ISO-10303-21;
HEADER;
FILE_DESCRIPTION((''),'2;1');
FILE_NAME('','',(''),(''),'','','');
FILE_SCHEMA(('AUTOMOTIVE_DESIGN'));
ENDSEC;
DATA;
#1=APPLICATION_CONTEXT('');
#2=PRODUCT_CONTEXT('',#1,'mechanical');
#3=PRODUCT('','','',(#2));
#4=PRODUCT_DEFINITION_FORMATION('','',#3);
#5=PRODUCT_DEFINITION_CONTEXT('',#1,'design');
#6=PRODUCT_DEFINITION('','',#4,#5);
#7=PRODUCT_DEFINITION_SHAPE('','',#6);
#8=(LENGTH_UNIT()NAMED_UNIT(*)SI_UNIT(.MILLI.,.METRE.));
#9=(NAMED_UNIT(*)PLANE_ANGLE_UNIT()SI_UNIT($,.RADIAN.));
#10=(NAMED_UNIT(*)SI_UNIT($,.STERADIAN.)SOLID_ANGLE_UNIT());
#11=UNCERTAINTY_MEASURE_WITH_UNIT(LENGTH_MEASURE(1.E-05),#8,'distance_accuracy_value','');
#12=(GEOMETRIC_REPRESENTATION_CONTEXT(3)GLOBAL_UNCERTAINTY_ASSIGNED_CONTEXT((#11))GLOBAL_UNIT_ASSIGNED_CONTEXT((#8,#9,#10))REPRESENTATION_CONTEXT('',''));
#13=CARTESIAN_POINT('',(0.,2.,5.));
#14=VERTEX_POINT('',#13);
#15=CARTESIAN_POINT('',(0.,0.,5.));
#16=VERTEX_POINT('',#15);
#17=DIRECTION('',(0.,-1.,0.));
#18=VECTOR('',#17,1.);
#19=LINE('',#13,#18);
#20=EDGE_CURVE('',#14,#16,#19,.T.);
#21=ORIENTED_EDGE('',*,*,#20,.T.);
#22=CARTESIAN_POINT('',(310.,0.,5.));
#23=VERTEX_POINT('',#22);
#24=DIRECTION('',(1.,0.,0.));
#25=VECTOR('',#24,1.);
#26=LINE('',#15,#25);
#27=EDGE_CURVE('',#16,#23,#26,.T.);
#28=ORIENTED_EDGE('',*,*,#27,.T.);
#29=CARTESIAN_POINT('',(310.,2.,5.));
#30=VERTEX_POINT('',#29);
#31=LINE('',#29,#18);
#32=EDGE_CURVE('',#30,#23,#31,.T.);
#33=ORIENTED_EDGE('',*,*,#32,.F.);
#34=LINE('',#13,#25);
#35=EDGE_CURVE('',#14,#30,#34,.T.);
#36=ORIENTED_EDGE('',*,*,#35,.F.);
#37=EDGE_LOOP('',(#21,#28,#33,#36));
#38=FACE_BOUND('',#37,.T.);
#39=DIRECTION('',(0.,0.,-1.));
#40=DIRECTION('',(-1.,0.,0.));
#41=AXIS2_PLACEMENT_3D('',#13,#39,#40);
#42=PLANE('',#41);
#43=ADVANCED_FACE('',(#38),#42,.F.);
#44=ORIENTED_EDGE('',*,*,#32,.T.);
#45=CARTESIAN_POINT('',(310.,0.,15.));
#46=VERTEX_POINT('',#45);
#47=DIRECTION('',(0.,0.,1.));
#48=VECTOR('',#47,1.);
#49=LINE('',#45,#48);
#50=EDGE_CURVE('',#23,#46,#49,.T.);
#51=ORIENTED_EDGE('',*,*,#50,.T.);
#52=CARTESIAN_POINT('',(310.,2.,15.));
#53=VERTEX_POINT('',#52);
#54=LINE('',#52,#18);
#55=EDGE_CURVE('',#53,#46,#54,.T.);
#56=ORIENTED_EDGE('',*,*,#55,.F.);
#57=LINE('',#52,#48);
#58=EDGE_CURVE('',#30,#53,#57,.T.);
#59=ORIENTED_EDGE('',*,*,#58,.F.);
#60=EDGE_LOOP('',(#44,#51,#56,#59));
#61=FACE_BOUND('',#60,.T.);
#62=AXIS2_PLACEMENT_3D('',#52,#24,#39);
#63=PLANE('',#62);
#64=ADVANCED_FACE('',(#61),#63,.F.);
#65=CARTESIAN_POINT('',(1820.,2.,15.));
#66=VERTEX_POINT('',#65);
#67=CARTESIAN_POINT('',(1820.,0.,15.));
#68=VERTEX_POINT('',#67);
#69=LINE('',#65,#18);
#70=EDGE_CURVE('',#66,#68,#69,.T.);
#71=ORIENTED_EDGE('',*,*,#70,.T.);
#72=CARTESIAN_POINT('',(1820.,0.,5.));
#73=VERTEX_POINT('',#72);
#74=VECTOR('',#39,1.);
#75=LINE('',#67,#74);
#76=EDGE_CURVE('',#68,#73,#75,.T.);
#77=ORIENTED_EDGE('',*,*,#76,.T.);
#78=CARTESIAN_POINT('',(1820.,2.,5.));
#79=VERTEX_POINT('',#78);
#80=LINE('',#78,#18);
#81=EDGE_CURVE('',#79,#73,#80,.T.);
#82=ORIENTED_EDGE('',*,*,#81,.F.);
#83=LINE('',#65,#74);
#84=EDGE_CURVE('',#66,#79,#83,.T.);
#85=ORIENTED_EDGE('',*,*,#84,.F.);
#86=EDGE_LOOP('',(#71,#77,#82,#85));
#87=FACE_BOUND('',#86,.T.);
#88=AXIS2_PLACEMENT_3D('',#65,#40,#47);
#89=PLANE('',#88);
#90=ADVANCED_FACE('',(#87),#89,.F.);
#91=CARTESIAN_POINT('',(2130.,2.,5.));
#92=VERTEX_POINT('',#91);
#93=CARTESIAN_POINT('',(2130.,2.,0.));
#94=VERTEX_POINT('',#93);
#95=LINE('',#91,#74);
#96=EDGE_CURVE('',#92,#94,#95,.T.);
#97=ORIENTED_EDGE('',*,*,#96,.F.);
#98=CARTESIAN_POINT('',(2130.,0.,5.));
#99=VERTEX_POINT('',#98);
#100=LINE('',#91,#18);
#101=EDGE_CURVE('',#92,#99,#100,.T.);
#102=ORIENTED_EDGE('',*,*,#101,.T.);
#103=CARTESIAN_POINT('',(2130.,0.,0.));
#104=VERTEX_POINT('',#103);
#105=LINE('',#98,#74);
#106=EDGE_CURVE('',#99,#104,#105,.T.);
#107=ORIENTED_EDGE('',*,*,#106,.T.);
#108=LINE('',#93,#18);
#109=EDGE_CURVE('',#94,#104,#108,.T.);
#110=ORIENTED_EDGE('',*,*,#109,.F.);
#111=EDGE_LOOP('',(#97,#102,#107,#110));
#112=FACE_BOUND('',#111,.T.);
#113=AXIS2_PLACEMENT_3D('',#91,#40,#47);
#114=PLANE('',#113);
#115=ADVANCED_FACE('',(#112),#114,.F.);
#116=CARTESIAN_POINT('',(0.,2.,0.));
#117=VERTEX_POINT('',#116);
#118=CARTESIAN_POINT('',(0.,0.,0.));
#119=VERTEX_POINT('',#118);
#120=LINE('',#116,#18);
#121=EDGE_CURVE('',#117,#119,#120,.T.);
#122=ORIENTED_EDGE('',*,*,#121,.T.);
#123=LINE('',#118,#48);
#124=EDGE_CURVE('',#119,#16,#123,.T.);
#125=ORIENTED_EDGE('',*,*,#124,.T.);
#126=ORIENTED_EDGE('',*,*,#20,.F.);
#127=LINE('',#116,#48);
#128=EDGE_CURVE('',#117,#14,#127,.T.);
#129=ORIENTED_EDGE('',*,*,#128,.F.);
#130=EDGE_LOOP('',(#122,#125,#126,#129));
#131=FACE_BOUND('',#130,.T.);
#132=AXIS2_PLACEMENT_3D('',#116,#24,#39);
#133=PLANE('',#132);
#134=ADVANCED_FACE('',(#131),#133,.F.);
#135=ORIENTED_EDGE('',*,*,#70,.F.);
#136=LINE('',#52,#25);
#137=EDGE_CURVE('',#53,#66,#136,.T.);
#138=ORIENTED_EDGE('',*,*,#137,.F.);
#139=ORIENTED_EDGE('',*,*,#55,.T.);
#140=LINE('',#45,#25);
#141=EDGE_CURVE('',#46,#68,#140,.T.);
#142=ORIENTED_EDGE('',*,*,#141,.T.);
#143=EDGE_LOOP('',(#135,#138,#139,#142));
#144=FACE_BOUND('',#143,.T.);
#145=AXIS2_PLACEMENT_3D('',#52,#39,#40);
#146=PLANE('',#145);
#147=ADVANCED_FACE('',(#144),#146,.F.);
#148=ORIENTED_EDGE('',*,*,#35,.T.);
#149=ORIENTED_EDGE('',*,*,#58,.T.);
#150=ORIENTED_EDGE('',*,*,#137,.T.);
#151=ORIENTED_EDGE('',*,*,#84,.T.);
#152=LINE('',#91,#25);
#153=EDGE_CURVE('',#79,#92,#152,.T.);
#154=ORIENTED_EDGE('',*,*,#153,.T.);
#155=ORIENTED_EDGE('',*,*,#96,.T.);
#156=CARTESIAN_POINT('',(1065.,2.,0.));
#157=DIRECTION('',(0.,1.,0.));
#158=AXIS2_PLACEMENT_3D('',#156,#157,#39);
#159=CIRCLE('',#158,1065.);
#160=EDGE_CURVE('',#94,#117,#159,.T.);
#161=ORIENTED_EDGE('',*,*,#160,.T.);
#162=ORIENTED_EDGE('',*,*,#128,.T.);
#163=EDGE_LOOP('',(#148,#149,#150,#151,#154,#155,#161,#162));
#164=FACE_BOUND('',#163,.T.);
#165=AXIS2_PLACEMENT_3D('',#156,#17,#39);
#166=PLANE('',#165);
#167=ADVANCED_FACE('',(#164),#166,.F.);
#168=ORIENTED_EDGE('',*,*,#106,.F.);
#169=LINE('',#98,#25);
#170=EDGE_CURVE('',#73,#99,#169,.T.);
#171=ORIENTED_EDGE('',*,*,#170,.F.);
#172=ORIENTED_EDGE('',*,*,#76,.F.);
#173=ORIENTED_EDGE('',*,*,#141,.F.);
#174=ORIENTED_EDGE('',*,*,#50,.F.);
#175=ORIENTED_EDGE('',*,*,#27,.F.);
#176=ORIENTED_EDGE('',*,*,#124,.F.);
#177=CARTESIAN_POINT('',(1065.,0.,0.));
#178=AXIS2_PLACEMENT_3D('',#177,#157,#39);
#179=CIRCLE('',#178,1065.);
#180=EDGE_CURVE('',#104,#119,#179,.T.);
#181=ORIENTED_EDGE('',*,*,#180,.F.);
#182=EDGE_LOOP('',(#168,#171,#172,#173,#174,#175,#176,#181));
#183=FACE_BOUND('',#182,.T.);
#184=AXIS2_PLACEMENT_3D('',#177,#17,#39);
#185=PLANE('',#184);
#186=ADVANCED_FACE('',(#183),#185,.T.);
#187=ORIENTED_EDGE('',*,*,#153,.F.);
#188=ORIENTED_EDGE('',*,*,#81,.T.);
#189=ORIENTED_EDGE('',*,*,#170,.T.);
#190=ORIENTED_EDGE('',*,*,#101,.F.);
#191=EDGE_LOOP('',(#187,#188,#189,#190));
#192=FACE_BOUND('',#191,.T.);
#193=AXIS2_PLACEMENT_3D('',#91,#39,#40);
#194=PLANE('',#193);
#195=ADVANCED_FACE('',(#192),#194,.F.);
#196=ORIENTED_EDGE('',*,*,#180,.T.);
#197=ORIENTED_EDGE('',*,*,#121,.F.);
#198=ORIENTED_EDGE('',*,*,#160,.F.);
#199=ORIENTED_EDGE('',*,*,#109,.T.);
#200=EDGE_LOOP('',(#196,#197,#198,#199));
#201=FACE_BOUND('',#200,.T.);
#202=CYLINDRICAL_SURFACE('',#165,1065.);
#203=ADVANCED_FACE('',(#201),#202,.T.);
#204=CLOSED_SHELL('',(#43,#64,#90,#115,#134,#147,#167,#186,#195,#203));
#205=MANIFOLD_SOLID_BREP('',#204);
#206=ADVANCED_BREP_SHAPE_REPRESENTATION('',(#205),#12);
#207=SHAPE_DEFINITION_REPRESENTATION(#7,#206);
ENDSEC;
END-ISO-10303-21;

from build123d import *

# Parameters (mm, degrees)
BOSS_EXTRUDE1_DEPTH = 2


with BuildPart() as part:
    # Sketch1 → Boss-Extrude1 (new body)
    with BuildSketch(Plane(origin=(0, 0, 0), x_dir=(1, 0, 0), z_dir=(0, 1, 0))):
        with BuildLine():
            Line((0, 0), (0, -5))
            Line((0, -5), (310, -5))
            Line((310, -5), (310, -15))
            Line((310, -15), (1820, -15))
            Line((1820, -15), (1820, -5))
            Line((1820, -5), (2130, -5))
            Line((2130, -5), (2130, 0))
            ThreePointArc((2130, 0), (1065, 1065), (0, 0))
        make_face()
    extrude(amount=BOSS_EXTRUDE1_DEPTH)


solid = part.part
